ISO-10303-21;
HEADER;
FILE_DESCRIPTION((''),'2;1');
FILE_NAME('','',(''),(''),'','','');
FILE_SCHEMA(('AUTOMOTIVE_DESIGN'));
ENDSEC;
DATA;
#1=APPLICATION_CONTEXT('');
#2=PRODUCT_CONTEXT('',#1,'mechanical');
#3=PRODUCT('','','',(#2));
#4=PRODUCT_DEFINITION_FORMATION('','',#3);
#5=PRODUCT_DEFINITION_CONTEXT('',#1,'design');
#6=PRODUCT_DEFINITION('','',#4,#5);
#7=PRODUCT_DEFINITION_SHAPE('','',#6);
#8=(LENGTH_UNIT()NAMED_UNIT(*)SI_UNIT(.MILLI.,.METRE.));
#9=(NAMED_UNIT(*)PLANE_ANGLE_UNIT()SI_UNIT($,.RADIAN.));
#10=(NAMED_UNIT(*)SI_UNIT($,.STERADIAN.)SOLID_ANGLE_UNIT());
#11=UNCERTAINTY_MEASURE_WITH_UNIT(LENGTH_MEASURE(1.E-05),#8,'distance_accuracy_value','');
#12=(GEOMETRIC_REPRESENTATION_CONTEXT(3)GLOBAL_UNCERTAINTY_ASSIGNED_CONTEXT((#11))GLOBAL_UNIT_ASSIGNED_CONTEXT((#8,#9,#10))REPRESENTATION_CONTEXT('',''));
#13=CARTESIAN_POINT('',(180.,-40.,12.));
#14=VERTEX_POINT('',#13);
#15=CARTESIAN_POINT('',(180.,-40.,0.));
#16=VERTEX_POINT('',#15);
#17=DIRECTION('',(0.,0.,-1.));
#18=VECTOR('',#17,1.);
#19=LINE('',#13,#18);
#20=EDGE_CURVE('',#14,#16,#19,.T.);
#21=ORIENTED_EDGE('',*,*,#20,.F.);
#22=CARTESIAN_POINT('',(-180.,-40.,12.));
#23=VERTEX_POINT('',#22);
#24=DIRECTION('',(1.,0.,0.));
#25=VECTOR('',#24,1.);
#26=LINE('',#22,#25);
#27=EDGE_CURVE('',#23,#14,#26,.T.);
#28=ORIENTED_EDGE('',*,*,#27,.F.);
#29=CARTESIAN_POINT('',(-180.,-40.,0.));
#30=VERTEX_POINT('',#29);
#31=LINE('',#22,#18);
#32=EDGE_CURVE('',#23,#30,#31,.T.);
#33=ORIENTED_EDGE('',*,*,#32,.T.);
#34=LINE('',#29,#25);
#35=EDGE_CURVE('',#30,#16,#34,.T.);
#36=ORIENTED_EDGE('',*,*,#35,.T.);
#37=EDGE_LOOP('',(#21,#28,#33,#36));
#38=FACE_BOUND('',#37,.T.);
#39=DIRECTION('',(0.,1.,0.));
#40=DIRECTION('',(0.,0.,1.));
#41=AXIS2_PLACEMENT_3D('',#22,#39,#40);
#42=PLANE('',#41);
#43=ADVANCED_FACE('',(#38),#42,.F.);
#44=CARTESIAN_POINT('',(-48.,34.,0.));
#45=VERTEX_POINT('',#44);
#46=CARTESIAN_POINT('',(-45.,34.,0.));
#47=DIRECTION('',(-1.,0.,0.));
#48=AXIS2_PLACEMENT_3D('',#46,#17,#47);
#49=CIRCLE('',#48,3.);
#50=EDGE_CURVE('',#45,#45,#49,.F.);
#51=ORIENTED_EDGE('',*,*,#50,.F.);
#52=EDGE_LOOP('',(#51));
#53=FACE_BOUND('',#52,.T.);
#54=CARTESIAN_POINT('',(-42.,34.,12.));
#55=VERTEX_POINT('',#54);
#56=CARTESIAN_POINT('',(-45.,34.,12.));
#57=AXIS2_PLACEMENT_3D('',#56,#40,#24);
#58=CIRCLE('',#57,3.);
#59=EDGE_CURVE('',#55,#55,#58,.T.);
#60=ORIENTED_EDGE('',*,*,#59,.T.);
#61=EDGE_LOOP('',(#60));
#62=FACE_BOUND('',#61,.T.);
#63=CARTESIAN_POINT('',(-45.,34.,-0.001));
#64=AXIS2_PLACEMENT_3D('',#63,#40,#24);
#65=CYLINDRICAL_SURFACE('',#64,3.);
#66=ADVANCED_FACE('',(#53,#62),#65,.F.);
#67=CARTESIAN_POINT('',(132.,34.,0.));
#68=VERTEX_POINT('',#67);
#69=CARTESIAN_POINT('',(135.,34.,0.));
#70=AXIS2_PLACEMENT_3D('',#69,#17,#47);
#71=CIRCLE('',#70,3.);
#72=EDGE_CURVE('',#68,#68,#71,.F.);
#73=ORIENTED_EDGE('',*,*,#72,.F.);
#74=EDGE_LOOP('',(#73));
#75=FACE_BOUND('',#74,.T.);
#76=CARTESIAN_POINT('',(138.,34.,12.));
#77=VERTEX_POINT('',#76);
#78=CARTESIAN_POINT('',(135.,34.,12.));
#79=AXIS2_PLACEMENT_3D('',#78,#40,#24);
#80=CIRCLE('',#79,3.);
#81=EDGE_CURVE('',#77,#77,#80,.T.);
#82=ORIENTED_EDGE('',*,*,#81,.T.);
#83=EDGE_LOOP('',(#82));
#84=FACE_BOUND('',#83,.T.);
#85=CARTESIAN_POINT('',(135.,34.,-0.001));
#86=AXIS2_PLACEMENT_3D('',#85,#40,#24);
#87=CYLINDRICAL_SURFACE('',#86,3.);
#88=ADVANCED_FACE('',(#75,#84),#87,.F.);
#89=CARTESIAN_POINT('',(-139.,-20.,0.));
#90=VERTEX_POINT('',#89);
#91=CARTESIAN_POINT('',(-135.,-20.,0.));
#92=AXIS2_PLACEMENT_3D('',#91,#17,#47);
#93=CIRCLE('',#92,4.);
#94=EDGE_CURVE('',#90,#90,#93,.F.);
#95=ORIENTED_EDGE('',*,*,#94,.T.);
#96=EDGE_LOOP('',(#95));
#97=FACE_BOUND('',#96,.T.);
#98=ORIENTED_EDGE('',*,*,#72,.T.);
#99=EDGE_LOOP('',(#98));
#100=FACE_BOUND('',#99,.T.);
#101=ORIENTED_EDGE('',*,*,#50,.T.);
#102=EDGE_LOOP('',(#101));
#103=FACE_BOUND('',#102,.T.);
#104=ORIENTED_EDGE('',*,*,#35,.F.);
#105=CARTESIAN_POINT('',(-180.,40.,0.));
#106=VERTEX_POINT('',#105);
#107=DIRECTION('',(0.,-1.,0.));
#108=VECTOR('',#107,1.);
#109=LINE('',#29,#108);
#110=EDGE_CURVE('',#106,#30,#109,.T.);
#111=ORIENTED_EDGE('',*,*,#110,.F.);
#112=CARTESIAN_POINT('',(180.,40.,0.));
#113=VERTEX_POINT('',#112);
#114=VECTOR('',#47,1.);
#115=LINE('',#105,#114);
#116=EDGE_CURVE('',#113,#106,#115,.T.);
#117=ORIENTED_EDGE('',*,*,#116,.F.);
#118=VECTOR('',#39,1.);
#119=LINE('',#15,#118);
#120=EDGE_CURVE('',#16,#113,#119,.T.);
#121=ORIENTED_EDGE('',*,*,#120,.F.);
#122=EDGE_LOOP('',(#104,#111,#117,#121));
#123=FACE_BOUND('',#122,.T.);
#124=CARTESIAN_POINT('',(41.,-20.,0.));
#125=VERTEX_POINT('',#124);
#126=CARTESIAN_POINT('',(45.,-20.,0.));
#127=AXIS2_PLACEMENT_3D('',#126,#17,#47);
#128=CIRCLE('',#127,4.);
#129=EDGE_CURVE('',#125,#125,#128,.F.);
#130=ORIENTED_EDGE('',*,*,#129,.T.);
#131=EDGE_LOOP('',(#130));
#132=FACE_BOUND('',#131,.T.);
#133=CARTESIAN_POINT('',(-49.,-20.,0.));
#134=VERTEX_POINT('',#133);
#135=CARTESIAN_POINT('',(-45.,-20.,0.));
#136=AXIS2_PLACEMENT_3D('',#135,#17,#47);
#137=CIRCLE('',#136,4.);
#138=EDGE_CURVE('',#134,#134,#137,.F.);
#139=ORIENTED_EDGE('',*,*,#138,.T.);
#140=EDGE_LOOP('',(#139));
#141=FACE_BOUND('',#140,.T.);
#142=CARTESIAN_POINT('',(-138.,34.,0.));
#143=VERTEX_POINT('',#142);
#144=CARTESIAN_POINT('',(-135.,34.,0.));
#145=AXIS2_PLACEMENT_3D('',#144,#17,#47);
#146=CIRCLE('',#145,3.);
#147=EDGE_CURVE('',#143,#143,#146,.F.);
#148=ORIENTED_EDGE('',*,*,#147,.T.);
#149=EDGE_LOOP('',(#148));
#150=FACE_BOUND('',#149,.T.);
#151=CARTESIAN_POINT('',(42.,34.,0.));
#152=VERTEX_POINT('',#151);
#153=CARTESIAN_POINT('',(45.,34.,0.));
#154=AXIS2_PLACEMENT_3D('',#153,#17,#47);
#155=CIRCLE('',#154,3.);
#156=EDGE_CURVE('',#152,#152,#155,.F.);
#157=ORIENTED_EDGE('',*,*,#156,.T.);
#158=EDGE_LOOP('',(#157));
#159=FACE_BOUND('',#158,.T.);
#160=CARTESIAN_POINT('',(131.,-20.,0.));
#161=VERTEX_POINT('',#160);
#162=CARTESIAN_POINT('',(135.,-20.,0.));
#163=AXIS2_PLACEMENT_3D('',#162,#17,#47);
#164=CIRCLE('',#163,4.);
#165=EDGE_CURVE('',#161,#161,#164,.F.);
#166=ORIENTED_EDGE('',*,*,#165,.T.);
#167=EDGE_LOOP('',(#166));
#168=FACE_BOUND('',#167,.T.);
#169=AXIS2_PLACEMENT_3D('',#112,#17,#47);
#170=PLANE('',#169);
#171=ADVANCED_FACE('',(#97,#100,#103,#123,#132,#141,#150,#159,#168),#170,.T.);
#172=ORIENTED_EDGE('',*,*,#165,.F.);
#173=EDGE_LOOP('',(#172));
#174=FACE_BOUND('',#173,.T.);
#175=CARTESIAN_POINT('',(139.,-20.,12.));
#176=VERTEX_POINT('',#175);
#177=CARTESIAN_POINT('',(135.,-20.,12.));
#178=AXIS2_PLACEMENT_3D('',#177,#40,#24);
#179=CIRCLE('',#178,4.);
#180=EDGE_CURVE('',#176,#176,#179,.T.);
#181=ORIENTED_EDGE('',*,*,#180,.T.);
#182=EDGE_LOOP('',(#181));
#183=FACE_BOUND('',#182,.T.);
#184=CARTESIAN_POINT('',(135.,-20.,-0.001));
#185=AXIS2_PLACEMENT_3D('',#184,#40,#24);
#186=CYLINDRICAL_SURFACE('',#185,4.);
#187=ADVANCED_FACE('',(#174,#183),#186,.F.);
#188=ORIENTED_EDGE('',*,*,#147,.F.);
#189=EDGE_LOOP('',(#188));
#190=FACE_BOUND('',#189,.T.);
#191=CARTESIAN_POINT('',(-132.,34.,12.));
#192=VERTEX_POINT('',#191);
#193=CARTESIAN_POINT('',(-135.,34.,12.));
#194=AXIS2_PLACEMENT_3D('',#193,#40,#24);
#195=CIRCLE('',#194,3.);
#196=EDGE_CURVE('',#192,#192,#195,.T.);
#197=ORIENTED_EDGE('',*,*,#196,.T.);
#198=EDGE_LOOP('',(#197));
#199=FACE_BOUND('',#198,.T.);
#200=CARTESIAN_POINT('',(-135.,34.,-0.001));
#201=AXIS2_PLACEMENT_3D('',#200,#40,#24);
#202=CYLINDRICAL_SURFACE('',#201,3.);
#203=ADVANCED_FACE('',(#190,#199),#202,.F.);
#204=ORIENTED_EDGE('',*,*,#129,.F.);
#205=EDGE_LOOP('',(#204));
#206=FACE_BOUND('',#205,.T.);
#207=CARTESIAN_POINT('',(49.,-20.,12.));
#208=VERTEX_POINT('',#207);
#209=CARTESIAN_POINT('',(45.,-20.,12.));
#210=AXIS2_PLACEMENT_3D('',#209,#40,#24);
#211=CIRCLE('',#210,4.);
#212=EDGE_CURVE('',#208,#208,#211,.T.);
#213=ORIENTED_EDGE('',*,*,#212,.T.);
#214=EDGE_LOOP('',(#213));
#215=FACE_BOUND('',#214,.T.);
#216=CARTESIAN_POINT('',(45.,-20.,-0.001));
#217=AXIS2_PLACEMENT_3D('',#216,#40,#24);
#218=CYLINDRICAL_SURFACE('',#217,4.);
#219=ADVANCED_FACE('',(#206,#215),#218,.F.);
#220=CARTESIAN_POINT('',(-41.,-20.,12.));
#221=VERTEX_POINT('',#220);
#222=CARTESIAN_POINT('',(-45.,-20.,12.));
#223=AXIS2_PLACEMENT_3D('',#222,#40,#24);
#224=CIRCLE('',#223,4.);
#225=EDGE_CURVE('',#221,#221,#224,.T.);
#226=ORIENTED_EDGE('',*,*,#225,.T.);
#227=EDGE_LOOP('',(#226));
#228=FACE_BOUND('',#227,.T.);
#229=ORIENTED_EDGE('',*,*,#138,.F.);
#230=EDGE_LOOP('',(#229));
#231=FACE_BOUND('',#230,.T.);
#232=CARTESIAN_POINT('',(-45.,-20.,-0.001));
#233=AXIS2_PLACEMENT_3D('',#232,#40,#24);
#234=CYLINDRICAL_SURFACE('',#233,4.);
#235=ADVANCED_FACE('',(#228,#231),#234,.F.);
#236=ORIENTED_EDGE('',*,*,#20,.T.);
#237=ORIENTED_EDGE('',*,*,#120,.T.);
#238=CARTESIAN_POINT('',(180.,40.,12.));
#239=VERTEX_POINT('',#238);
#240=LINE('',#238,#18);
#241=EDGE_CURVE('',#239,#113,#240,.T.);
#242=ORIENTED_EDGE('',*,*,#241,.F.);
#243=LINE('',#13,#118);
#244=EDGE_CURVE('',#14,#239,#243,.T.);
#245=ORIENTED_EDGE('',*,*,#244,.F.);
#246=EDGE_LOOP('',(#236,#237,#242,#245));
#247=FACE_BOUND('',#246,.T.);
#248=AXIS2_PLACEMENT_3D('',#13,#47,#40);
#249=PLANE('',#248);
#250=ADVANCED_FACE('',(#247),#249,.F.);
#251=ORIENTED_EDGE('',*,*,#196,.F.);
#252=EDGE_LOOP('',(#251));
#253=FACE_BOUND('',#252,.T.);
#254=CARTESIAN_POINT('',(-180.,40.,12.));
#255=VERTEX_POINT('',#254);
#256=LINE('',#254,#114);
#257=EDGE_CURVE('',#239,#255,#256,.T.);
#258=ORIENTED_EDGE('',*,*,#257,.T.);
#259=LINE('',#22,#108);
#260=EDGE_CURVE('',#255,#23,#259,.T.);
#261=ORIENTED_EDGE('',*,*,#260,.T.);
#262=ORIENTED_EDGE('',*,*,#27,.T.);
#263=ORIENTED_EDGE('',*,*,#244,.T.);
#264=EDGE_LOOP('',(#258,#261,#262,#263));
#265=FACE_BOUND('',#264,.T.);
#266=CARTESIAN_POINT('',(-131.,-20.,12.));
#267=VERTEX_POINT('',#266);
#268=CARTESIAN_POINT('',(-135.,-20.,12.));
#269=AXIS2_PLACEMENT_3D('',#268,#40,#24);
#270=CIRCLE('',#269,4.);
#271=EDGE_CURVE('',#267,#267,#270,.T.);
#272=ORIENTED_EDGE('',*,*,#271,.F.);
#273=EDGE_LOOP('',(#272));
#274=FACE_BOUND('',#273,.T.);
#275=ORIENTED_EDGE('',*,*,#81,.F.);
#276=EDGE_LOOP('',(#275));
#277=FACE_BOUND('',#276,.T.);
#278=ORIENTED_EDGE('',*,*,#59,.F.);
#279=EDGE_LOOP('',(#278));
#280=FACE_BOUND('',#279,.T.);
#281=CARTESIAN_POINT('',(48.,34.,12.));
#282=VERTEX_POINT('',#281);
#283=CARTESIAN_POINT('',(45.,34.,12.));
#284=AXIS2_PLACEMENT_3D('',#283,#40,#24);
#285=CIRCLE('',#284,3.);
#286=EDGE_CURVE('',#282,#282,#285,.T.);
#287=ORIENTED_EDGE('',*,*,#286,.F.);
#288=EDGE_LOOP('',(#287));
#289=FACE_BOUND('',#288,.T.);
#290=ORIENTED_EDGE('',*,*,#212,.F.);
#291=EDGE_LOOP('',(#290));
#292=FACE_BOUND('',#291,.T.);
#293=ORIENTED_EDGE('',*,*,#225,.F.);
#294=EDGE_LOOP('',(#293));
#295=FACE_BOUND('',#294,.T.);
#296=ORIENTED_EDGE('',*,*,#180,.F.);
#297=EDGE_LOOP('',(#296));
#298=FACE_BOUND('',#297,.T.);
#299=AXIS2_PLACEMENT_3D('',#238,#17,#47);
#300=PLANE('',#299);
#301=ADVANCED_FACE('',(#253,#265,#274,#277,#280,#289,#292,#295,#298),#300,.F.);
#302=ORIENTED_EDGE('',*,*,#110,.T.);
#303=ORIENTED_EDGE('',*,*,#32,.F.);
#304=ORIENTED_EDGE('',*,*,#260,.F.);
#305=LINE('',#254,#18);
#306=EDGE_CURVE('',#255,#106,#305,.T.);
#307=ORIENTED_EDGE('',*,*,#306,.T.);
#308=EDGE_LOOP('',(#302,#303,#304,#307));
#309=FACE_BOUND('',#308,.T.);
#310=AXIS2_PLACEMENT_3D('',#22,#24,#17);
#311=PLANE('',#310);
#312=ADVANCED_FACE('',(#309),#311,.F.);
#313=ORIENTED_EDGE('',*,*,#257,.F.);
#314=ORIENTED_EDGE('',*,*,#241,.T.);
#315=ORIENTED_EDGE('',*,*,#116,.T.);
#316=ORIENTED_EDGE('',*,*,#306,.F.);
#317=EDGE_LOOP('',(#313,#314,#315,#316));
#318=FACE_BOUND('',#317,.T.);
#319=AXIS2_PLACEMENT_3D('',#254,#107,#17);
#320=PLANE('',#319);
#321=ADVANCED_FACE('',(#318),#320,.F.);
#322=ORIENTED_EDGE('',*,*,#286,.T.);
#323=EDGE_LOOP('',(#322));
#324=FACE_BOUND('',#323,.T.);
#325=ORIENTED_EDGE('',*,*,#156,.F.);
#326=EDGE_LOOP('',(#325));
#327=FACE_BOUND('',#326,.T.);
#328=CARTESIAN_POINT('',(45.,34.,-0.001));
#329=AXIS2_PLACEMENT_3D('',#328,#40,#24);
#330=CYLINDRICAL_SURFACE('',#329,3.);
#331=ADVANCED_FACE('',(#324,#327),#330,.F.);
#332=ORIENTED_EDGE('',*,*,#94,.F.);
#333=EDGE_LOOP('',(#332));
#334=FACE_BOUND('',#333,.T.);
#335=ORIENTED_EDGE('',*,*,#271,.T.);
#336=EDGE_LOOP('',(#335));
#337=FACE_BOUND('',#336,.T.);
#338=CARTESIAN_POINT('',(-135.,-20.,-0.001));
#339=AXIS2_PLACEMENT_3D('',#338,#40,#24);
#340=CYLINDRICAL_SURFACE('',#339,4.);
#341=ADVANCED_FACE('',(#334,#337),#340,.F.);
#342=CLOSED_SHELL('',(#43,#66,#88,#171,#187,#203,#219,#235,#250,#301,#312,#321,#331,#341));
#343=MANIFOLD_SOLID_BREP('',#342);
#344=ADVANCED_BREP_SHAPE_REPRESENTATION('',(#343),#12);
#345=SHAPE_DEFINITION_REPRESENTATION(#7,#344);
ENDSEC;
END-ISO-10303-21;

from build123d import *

# Parameters (mm, degrees)
SKETCH1_W           = 360
SKETCH1_H           = 80
BOSS_EXTRUDE1_DEPTH = 12
CUT_EXTRUDE1_REACH  = 186.781
SKETCH2_R           = 3
SKETCH2_R_2         = 4
LPATTERN1_COUNT     = 4
LPATTERN1_PITCH     = 90


with BuildPart() as part:
    # Sketch1 → Boss-Extrude1 (new body)
    with BuildSketch(Plane.XY):
        Rectangle(SKETCH1_W, SKETCH1_H)
    extrude(amount=BOSS_EXTRUDE1_DEPTH)

    # Sketch2 → Cut-Extrude1 (cut, up to next)
    with BuildSketch(Plane.XY.offset(12), mode=Mode.PRIVATE) as cut_extrude1_sk1:
        with Locations((-135, 34)):
            Circle(SKETCH2_R)
    cut_extrude1_tool1 = extrude(cut_extrude1_sk1.sketch, amount=-CUT_EXTRUDE1_REACH, mode=Mode.PRIVATE) & part.part
    # Sketch2 → Cut-Extrude1 (cut, up to next)
    with BuildSketch(Plane.XY.offset(12), mode=Mode.PRIVATE) as cut_extrude1_sk2:
        with Locations((-135, -20)):
            Circle(SKETCH2_R_2)
    cut_extrude1_tool2 = extrude(cut_extrude1_sk2.sketch, amount=-CUT_EXTRUDE1_REACH, mode=Mode.PRIVATE) & part.part
    cut_extrude1_1 = cut_extrude1_tool1.solids().sort_by_distance((-135, 34, 12))[0]
    add(cut_extrude1_1, mode=Mode.SUBTRACT)
    cut_extrude1_2 = cut_extrude1_tool2.solids().sort_by_distance((-135, -20, 12))[0]
    add(cut_extrude1_2, mode=Mode.SUBTRACT)
    cut_extrude1 = cut_extrude1_1 + cut_extrude1_2  # Cut-Extrude1 as one shape, for the pattern or mirror that repeats it

    # LPattern1: Cut-Extrude1 ×4
    with Locations(*[(i * LPATTERN1_PITCH, 0, 0) for i in range(1, LPATTERN1_COUNT)]):
        add(cut_extrude1, mode=Mode.SUBTRACT)


solid = part.part
